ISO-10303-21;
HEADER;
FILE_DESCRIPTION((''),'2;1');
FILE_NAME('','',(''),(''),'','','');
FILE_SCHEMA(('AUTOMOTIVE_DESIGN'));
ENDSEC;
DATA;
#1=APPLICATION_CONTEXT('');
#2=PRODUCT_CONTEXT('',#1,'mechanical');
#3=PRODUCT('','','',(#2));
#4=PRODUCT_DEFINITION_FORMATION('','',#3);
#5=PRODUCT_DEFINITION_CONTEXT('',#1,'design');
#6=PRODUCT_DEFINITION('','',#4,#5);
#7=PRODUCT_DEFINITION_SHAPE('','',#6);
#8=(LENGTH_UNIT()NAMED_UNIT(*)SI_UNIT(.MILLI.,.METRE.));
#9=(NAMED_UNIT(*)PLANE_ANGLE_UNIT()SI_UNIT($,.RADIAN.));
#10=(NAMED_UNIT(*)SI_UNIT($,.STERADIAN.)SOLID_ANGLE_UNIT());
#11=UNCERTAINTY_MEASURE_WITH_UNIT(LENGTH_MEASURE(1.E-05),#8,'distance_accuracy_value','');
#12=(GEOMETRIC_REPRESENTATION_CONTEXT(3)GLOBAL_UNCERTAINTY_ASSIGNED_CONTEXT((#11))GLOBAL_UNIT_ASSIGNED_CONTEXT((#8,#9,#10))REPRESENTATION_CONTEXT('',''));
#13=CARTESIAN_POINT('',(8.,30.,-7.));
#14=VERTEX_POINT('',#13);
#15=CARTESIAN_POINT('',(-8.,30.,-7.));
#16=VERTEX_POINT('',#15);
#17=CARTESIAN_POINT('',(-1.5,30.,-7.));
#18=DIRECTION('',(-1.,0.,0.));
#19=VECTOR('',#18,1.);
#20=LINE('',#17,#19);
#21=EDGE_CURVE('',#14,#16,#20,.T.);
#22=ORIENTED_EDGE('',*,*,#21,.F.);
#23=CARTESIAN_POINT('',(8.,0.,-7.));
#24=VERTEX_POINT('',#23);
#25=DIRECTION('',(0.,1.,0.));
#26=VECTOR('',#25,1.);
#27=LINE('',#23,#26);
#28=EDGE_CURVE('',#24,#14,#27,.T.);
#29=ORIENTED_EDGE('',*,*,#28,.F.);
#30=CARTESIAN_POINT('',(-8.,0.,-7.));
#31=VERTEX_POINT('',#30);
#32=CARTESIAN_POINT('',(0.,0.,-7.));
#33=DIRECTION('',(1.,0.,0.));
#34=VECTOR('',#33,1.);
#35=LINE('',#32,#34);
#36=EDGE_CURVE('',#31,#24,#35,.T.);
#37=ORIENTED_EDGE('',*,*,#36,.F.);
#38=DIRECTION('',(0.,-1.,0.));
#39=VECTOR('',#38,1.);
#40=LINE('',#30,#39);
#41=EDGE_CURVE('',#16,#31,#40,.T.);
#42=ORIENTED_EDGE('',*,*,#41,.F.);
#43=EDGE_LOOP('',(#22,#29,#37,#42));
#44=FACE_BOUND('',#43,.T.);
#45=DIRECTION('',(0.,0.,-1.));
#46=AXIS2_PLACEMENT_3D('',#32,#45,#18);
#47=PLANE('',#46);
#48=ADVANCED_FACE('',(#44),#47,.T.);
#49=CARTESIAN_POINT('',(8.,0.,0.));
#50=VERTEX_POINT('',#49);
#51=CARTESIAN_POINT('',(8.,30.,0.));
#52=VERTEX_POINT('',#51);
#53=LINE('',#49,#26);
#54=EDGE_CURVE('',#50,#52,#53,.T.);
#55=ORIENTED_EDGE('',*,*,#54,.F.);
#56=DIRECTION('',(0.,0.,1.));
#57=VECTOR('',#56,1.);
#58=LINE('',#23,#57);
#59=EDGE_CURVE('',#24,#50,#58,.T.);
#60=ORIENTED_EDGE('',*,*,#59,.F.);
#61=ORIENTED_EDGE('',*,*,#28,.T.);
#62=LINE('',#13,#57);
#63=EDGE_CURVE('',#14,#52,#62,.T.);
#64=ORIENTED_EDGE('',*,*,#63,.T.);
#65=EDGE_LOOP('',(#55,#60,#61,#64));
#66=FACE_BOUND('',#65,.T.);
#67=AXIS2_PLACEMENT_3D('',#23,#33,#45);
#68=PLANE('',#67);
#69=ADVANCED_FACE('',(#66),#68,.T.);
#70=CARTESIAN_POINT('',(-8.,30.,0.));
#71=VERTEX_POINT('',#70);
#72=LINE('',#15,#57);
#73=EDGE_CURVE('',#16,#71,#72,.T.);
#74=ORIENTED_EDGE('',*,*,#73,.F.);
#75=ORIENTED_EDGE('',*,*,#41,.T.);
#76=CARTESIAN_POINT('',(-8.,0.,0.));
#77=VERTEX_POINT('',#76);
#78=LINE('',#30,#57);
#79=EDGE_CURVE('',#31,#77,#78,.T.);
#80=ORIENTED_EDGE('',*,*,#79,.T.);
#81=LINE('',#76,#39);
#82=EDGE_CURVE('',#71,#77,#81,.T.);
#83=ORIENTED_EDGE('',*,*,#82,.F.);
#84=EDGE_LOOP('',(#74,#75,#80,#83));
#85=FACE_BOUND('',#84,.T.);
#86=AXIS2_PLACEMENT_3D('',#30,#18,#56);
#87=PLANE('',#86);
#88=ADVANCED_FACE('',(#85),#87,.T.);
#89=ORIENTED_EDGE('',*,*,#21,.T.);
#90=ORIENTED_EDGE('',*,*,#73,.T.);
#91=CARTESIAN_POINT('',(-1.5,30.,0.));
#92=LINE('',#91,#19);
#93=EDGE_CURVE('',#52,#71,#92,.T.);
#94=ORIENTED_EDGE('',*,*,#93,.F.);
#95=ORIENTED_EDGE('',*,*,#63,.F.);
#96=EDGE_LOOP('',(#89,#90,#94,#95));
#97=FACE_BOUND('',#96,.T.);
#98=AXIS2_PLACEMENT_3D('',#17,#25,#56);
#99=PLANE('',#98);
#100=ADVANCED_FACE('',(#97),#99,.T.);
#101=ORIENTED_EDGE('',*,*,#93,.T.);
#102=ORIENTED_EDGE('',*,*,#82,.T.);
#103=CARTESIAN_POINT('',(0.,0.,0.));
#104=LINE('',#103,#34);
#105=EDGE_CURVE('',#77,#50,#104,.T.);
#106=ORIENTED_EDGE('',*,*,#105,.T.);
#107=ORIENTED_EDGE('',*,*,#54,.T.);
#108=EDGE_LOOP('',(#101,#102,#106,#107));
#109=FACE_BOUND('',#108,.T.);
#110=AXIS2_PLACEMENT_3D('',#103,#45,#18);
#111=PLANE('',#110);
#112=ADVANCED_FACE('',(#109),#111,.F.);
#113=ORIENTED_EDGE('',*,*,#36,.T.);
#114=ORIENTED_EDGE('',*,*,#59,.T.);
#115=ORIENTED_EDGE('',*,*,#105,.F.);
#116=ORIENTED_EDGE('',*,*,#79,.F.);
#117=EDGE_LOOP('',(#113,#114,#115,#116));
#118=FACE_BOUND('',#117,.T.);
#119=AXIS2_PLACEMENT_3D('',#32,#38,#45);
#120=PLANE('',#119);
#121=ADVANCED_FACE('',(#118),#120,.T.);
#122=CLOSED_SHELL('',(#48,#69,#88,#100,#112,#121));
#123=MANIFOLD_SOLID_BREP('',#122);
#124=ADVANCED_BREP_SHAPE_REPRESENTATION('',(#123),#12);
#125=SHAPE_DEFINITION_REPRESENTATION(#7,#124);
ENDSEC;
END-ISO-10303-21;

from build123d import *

# Parameters (mm, degrees)
EXTRUDE_1_DEPTH = 7


with BuildPart() as part:
    # 草图1 → 凸台-拉伸1 (new body)
    with BuildSketch(Plane.XY):
        Polygon((0, 0), (8, 0), (8, 30), (-1.5, 30), (-8, 30), (-8, 0), align=None)
    extrude(amount=-EXTRUDE_1_DEPTH)


solid = part.part
